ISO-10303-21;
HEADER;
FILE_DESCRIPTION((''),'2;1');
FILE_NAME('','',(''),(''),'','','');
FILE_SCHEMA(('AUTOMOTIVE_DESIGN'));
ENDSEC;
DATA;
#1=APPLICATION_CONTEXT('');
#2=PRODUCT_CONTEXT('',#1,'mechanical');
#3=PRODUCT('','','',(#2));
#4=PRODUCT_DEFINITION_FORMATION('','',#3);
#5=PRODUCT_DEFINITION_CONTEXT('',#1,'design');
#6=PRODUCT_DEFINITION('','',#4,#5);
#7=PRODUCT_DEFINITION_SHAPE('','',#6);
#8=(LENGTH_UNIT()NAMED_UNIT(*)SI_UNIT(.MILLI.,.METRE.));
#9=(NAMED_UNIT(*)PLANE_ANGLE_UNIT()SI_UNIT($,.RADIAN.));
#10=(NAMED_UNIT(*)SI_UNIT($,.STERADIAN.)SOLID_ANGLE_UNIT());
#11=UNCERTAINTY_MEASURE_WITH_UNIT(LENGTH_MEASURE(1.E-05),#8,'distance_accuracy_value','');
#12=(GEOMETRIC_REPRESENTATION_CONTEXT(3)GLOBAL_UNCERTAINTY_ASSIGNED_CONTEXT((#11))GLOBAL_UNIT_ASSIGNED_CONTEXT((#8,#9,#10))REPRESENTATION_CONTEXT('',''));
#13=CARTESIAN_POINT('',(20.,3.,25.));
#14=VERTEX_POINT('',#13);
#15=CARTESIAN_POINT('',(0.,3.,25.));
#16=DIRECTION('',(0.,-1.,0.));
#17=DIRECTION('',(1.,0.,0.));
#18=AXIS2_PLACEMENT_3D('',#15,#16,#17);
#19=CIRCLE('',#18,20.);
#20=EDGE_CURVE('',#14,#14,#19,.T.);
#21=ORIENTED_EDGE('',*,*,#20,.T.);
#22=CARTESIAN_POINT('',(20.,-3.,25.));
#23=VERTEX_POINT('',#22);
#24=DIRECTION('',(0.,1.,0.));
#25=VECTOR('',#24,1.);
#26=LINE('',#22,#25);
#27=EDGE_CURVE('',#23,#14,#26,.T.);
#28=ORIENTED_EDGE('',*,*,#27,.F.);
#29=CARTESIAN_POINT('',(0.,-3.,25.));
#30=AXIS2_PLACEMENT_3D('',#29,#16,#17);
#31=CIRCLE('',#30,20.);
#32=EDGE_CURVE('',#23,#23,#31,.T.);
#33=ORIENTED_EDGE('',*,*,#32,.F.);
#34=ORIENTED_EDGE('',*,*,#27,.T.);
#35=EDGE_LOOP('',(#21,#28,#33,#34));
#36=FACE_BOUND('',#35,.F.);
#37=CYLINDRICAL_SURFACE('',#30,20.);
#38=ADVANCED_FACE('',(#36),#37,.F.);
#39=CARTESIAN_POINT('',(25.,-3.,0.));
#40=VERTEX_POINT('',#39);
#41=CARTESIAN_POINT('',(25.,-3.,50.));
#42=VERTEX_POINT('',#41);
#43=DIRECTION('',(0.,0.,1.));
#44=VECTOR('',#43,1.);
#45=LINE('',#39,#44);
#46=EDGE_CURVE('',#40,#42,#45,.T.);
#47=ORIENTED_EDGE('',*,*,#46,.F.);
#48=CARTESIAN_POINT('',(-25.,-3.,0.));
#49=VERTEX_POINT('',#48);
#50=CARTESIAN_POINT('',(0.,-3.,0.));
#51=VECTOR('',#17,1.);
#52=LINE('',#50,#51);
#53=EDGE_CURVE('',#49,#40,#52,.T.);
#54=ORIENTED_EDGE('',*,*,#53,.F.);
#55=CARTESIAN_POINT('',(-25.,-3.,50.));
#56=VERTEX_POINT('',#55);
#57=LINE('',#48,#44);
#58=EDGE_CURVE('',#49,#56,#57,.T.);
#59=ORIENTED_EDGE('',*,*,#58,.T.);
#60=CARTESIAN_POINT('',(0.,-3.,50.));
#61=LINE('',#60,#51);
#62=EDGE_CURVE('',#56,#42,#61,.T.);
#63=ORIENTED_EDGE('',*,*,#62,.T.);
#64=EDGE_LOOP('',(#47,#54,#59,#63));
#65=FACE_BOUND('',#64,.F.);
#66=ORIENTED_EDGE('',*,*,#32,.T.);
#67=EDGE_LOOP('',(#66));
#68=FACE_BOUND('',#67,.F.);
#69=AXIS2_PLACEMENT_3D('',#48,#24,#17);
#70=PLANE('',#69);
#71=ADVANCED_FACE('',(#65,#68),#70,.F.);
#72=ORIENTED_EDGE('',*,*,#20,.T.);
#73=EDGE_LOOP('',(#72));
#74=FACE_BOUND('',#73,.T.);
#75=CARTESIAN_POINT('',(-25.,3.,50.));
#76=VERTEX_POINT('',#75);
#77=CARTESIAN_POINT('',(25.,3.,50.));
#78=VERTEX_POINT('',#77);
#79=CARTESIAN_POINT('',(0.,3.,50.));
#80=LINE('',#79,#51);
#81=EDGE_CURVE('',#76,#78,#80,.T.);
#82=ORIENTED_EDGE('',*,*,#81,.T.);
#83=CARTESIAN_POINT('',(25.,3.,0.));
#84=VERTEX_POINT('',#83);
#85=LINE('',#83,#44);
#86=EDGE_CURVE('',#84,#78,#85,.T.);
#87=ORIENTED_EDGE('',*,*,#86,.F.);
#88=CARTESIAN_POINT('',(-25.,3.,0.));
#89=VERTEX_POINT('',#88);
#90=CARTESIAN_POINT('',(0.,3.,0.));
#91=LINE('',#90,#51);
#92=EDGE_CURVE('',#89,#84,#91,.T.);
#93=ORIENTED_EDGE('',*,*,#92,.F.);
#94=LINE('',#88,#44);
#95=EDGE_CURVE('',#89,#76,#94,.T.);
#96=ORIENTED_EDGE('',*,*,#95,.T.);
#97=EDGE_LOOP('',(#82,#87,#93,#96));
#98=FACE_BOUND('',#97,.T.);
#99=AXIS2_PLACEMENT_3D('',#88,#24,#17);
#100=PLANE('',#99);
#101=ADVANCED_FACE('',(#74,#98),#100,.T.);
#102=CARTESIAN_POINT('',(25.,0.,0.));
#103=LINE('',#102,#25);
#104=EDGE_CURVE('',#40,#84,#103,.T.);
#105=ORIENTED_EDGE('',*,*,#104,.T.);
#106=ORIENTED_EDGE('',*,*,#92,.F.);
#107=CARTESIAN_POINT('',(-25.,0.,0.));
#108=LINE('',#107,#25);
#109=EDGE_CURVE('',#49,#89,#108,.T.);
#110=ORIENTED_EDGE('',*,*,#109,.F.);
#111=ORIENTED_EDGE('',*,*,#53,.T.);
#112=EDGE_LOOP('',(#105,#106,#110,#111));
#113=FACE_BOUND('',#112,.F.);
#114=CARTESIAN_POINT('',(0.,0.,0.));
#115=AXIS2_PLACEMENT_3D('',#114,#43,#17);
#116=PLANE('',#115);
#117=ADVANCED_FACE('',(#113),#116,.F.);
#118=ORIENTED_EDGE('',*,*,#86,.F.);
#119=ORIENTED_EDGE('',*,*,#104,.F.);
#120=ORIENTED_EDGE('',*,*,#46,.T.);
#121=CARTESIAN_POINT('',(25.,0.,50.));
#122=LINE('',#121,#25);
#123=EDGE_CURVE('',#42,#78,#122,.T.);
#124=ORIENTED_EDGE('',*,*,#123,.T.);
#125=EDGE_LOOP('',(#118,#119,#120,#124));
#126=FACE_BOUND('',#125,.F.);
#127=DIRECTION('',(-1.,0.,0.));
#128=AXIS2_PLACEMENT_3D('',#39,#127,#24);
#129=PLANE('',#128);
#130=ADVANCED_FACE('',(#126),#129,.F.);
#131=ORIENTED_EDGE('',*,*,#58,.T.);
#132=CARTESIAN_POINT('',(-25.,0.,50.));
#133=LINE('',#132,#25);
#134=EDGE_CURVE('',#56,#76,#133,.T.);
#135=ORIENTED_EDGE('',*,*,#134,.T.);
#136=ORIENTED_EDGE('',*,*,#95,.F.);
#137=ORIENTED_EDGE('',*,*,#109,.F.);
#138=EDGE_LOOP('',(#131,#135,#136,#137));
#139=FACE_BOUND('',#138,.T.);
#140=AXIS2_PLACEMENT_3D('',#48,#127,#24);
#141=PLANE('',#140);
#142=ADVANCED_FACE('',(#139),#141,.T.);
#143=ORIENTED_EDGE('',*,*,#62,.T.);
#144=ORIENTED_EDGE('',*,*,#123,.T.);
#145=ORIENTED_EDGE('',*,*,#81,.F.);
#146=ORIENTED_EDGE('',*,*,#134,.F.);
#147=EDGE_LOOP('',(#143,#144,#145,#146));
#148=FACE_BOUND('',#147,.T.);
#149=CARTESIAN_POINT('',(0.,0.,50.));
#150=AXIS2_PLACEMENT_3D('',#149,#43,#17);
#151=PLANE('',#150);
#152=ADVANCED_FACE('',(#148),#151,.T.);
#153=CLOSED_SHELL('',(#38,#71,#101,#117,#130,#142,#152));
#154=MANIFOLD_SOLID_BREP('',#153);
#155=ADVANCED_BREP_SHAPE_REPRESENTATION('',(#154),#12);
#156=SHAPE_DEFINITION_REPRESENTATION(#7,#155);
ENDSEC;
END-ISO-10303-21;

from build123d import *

# Parameters (mm, degrees)
F0_W     = 50
F0_H     = 6
F1_DEPTH = 50
F2_R     = 20
F3_DEPTH = 25


with BuildPart() as f1:
    # F0 (on Top) → F1 (new body)
    with BuildSketch(Plane.XY):
        Rectangle(F0_W, F0_H)
    extrude(amount=F1_DEPTH)

    # F2 (on face) → F3 (cut)
    with BuildSketch(Plane.XZ.offset(3)):
        with Locations((0, 25)):
            Circle(F2_R)
    extrude(amount=-F3_DEPTH, mode=Mode.SUBTRACT)


solid = f1.part
